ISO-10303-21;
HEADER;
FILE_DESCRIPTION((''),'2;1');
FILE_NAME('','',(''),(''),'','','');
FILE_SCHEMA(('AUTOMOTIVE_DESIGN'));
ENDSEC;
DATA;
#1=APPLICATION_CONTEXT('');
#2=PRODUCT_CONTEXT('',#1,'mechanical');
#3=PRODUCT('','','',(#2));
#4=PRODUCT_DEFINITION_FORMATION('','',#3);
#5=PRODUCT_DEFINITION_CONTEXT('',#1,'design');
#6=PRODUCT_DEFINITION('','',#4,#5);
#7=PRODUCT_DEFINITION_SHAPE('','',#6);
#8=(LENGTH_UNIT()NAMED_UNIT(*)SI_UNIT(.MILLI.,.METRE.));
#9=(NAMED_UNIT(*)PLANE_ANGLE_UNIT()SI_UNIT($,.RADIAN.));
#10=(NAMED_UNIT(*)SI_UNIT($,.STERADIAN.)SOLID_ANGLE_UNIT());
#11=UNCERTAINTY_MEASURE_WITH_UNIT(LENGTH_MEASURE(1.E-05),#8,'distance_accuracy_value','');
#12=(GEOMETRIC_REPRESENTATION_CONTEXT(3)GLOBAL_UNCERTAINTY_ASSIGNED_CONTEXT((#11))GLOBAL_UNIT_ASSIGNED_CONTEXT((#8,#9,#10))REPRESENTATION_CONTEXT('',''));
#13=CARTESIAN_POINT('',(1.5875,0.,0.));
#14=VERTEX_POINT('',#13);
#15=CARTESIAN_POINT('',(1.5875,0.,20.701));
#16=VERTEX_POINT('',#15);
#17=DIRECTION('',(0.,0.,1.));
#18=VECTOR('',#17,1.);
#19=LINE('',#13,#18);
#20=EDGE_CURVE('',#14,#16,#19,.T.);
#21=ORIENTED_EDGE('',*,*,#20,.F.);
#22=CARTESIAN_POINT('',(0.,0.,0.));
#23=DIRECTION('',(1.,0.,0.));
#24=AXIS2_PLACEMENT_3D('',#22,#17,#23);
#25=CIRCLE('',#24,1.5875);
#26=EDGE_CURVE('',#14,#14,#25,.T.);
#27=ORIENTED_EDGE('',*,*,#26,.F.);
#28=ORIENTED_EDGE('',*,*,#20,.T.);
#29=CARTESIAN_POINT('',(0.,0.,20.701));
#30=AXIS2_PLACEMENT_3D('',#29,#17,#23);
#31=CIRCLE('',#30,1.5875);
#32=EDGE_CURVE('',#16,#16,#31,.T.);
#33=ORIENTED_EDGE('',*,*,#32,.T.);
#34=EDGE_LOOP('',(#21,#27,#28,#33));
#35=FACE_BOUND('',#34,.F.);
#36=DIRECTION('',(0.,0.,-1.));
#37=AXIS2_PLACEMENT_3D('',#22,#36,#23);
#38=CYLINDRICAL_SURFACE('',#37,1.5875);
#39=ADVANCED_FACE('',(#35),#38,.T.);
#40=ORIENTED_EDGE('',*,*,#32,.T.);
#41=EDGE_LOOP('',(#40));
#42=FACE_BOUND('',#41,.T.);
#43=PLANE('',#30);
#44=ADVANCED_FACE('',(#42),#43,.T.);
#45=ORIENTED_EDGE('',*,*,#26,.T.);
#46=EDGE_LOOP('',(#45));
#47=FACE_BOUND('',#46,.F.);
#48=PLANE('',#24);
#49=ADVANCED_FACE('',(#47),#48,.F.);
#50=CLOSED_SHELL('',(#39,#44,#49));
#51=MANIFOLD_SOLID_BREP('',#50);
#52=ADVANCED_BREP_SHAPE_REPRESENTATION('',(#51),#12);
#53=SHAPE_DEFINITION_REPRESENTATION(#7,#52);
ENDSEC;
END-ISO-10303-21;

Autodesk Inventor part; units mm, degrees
ref_plane "YZ Plane" through (0, 0, 0) normal (1, 0, 0) x (0, 1, 0)
ref_plane "XZ Plane" through (0, 0, 0) normal (0, 1, 0) x (-1, 0, 0)
ref_plane "XY Plane" through (0, 0, 0) normal (0, 0, 1) x (1, 0, 0)
sketch "Sketch1" plane through (0, 0, 0) normal (0, 0, 1) x (1, 0, 0)
  circle A0 centre (0, 0) radius 1.5875
  dimension "d0" = 3.175
extrude "Extrusion1" add sketch "Sketch1" along normal blind 20.701
properties part number "carriageIdlerPinionShaft" material "Stainless Steel"
